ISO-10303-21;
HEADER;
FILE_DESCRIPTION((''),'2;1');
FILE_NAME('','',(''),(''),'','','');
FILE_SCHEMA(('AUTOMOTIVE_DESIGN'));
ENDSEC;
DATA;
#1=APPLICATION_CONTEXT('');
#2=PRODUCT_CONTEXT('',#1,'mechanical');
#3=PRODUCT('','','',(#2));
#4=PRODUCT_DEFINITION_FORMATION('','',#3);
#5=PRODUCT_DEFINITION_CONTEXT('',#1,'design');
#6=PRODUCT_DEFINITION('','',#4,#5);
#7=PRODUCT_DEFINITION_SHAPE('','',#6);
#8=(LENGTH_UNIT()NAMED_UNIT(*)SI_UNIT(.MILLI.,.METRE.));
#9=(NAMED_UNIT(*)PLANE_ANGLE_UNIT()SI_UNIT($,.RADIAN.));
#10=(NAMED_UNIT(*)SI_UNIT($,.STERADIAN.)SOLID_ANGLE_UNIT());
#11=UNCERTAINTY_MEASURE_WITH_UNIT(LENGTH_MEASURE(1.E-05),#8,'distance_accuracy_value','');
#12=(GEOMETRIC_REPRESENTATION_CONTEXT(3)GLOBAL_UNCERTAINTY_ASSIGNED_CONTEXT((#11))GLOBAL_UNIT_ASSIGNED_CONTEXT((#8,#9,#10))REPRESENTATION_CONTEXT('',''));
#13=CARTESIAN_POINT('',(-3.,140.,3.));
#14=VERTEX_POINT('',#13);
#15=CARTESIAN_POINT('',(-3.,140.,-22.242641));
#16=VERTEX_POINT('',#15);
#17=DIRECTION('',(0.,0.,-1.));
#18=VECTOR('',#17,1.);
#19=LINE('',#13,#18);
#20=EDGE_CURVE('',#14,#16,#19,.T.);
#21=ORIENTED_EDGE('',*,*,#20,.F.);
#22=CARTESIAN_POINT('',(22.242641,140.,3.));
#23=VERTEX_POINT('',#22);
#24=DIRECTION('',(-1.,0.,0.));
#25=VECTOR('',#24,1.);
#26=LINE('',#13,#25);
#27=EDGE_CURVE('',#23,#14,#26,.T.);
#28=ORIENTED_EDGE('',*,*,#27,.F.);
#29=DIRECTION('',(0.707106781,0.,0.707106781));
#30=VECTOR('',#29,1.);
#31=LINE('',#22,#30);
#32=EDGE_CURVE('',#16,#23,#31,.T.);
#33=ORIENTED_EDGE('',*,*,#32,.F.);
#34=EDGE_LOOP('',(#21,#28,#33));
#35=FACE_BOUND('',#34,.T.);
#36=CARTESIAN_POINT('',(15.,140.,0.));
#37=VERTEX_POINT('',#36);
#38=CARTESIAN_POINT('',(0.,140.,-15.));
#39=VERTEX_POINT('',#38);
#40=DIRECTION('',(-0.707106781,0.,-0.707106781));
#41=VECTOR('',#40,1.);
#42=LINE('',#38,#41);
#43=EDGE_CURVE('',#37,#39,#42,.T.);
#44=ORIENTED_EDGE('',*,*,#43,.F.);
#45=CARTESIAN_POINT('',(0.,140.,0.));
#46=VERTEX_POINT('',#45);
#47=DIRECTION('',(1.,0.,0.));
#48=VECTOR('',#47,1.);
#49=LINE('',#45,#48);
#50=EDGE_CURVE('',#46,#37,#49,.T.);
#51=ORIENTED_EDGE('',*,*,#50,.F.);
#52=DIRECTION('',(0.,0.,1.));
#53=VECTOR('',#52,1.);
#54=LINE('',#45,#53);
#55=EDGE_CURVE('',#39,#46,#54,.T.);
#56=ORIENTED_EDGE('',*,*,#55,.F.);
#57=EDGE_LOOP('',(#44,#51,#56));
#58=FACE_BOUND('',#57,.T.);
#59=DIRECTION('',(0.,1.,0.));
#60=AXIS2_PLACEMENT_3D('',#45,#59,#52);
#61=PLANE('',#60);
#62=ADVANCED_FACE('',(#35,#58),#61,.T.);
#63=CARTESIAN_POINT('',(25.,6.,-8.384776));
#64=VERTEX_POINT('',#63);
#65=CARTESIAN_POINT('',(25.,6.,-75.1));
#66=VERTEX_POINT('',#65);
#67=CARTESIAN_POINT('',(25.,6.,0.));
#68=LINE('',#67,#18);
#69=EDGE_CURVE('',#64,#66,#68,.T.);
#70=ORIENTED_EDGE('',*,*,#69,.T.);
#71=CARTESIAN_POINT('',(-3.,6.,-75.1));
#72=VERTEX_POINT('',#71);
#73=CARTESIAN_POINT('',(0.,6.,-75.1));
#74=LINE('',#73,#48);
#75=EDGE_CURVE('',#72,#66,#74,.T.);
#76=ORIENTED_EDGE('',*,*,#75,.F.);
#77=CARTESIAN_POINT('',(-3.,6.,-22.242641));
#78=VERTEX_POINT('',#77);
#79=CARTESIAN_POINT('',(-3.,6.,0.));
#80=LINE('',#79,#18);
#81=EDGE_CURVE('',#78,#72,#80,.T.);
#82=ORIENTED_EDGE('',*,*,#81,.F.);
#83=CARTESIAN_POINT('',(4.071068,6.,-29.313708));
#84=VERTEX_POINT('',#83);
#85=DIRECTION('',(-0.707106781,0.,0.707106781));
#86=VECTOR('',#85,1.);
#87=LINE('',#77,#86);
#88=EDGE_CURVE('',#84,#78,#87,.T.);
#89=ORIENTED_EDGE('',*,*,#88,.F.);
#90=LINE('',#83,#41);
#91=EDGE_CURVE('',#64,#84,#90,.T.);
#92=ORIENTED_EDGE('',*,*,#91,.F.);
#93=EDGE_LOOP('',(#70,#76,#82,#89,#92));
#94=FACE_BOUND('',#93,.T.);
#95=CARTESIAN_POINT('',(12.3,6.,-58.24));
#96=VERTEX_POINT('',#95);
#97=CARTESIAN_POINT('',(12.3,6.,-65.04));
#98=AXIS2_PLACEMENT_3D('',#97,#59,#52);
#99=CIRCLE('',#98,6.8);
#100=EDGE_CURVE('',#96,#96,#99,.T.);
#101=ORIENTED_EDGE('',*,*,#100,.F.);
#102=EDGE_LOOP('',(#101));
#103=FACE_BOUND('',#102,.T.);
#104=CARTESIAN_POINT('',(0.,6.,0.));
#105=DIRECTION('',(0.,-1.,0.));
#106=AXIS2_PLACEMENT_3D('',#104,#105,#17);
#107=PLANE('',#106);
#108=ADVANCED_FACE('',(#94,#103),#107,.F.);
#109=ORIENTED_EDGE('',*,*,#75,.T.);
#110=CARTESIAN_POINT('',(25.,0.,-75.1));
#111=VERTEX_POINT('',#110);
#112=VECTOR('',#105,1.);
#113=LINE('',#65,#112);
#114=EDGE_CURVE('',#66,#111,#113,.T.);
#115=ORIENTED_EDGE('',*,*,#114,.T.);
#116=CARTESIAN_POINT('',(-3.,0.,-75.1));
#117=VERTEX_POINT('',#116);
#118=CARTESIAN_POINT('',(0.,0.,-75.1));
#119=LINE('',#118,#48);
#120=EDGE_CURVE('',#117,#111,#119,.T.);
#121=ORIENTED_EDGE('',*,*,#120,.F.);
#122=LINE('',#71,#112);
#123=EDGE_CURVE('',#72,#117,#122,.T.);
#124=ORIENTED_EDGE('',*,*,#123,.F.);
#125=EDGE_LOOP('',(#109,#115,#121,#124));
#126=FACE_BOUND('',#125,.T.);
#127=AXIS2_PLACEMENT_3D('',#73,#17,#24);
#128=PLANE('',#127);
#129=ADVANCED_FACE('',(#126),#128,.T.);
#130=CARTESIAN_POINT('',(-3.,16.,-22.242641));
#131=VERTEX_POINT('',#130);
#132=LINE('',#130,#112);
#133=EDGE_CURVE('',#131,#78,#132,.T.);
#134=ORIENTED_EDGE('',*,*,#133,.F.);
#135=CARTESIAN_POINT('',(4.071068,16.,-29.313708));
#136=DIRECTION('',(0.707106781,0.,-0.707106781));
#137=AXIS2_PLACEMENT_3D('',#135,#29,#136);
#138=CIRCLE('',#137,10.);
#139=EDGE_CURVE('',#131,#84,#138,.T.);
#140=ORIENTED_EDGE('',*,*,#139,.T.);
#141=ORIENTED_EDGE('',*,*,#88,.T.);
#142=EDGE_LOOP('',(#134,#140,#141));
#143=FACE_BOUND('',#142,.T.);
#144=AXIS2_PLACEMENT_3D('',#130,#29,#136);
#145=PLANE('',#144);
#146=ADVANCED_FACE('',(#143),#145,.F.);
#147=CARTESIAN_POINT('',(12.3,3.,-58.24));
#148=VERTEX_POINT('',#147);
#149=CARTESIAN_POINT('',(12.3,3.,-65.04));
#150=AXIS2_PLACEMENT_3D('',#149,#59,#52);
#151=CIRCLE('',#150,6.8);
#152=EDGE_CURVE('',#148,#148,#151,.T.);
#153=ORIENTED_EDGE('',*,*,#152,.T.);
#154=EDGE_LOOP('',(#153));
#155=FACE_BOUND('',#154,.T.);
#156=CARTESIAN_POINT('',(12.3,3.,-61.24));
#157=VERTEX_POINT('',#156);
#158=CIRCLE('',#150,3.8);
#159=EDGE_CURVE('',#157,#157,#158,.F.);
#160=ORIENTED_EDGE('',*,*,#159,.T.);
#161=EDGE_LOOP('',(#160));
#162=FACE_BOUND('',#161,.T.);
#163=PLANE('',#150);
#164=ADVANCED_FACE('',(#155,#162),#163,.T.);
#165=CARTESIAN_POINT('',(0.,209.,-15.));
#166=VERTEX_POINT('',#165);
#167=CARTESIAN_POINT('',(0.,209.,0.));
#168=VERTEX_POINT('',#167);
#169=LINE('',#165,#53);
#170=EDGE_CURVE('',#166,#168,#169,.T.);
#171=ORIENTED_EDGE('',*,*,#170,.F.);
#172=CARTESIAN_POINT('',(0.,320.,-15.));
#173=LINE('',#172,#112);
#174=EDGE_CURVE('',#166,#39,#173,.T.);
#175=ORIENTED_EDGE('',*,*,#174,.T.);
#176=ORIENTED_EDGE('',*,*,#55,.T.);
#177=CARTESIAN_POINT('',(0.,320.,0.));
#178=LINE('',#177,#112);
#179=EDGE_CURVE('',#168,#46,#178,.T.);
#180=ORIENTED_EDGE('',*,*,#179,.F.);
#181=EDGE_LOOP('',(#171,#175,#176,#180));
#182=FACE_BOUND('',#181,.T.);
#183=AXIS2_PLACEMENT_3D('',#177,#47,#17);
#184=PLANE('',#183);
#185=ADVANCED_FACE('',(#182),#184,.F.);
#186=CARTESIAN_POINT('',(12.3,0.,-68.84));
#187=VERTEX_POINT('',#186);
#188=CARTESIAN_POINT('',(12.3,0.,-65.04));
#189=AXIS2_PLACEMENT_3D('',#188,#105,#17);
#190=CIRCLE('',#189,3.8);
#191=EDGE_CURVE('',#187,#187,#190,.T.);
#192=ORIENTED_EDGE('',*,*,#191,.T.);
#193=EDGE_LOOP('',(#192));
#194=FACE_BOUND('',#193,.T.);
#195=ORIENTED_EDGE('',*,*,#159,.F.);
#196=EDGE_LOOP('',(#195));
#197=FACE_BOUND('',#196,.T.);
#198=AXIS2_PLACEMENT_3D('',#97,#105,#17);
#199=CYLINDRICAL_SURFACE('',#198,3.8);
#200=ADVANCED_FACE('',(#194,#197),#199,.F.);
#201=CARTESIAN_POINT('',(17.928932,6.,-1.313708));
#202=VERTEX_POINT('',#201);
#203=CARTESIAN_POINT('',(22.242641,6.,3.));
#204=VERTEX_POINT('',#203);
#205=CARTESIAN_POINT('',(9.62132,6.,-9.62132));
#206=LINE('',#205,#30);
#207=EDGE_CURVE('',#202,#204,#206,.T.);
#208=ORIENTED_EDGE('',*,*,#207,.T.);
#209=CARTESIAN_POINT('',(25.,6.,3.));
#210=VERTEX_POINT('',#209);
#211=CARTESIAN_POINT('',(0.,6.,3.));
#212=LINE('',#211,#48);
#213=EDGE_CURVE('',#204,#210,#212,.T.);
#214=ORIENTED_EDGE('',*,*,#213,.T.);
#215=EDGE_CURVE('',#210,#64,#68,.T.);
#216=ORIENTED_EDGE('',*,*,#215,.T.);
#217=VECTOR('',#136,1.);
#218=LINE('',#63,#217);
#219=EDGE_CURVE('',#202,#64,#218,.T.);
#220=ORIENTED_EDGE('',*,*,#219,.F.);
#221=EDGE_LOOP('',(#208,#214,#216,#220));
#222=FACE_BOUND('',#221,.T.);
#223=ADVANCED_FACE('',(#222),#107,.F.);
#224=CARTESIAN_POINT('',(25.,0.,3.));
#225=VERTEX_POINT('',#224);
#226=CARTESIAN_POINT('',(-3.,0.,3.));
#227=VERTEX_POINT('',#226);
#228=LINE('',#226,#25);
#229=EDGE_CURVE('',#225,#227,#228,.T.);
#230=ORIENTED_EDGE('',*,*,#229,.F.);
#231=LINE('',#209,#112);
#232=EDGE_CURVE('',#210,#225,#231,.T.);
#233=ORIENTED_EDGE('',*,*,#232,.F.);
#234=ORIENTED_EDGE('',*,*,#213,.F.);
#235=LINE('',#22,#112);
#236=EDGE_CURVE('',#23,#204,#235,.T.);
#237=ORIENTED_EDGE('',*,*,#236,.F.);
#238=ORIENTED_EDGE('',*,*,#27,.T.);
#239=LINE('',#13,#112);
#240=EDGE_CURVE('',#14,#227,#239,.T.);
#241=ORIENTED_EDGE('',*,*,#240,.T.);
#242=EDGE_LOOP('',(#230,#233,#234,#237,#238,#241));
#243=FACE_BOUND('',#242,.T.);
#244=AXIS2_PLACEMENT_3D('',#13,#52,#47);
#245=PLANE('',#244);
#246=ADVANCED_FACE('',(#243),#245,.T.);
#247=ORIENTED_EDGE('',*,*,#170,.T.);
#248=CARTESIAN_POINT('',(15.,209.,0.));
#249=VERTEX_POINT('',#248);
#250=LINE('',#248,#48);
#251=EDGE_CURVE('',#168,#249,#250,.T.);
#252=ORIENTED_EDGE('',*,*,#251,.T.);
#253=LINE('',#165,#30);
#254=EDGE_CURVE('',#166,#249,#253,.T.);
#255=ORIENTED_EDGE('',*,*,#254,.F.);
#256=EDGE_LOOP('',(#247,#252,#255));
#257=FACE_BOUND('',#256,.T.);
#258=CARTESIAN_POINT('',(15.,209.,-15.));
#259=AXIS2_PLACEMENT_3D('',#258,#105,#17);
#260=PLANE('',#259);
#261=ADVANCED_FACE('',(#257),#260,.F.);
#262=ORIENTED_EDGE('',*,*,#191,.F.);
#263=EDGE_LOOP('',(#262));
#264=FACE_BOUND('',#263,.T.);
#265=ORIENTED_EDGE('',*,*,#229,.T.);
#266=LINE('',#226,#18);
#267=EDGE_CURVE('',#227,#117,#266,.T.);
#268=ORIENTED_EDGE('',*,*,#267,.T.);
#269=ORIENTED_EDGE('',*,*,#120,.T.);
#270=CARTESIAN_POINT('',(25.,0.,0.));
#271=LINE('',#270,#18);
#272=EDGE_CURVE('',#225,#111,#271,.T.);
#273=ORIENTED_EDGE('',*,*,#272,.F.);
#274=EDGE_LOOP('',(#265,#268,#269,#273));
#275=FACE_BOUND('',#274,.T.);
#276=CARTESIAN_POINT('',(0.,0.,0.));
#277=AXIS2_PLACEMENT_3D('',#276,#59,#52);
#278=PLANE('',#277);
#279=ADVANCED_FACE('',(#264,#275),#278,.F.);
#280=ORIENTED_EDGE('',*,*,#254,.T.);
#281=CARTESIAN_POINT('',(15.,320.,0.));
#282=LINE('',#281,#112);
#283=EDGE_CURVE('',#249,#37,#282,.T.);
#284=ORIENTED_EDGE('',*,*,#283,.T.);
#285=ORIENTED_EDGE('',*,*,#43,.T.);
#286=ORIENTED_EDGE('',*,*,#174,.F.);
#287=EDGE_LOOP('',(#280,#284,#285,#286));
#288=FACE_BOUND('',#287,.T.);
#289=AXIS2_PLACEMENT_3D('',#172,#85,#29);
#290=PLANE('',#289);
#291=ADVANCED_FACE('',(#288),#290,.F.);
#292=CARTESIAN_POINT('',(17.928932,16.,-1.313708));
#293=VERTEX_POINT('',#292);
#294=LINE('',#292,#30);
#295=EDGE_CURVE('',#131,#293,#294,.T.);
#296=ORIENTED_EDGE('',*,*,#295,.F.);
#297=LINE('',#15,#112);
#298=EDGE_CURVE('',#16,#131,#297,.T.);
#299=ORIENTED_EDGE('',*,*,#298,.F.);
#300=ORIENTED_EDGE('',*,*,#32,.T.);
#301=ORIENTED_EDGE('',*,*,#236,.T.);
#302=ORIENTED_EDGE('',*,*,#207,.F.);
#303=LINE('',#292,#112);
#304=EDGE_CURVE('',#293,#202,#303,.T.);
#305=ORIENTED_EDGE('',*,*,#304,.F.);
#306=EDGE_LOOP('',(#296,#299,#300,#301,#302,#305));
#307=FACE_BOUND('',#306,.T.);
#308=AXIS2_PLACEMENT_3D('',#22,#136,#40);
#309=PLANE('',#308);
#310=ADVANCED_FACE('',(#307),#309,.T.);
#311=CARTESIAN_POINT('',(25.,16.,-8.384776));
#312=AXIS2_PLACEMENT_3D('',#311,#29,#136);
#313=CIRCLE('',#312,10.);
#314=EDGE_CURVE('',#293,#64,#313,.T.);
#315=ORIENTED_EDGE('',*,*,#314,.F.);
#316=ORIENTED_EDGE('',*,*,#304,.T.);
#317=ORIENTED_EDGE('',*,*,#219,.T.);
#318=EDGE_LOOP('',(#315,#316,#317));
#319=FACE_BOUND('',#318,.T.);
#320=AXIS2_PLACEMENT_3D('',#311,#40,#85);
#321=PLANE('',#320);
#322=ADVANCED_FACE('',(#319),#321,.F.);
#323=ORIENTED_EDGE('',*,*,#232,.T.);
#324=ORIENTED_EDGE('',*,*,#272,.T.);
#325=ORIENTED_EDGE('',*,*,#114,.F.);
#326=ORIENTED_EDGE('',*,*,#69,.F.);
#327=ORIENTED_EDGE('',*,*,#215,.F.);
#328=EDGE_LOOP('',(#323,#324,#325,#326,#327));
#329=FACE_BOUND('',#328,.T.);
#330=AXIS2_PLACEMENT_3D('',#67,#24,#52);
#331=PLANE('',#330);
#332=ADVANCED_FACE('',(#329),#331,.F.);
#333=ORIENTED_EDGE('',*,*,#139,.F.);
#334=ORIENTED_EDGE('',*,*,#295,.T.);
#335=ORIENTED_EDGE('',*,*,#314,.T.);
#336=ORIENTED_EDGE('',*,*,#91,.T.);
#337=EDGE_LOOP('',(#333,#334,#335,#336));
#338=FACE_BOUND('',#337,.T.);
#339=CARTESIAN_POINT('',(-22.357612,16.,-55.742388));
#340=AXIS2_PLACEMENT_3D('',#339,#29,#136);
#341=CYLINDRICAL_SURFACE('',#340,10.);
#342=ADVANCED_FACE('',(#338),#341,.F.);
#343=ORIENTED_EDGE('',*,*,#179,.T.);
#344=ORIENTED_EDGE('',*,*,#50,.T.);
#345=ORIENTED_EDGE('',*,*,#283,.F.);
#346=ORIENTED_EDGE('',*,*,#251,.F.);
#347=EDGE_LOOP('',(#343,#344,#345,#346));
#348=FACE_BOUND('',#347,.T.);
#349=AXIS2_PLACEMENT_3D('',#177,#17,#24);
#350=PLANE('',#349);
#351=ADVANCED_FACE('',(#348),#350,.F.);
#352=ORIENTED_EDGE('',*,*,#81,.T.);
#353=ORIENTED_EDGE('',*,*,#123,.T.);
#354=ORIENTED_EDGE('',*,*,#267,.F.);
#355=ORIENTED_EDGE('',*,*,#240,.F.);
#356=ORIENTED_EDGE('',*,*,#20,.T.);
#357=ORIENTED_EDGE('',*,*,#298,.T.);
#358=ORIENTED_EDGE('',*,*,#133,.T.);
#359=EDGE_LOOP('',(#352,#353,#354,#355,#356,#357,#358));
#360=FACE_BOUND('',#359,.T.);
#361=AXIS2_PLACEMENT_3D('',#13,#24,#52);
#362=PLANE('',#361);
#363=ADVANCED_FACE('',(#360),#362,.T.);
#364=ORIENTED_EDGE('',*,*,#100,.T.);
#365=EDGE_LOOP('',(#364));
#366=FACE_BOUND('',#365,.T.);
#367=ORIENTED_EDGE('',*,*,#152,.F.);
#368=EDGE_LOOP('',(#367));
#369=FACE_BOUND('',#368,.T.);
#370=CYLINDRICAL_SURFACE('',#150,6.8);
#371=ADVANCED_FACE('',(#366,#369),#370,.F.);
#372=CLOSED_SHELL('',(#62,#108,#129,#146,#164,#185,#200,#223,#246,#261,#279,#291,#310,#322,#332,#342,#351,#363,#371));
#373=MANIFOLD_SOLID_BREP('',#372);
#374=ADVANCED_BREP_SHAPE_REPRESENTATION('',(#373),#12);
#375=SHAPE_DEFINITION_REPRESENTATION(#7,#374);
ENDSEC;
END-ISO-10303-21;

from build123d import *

# Parameters (mm, degrees)
BOSS_EXTRUDE3_DEPTH = 320
SKETCH7_W           = 15
SKETCH7_H           = 111
CUT_EXTRUDE3_DEPTH  = 321.702354216
BOSS_EXTRUDE7_DEPTH = 140
SKETCH4_W           = 28
SKETCH4_H           = 78.1
SKETCH4_R           = 3.8
BOSS_EXTRUDE4_DEPTH = 6
BOSS_EXTRUDE8_DEPTH = 10
CUT_EXTRUDE4_DEPTH  = 226.646771605
SKETCH13_R          = 6.8
CUT_EXTRUDE5_DEPTH  = 3


with BuildPart() as part:
    # Sketch1 → Boss-Extrude3 (new body)
    with BuildSketch(Plane(origin=(0, 0, 0), x_dir=(1, 0, 0), z_dir=(0, 1, 0))):
        Polygon((0, 0), (0, 15), (15, 0), align=None)
    extrude(amount=BOSS_EXTRUDE3_DEPTH)

    # Sketch7 → Cut-Extrude3 (cut, through all)
    with BuildSketch(Plane.XY):
        with Locations((7.5, 264.5)):
            Rectangle(SKETCH7_W, SKETCH7_H)
    extrude(amount=-CUT_EXTRUDE3_DEPTH, mode=Mode.SUBTRACT)

    # Sketch10 → Boss-Extrude7 (add)
    with BuildSketch(Plane.XZ):
        Polygon((-3, 3), (-3, -22.242640687), (22.242640687, 3), align=None)
    extrude(amount=-BOSS_EXTRUDE7_DEPTH)

    # Sketch4 → Boss-Extrude4 (add)
    with BuildSketch(Plane.XZ):
        with Locations((11, -36.05)):
            Rectangle(SKETCH4_W, SKETCH4_H)
        with Locations(Location((12.3, -65.04, 0), (0, 0, 270))):
            Circle(SKETCH4_R, mode=Mode.SUBTRACT)
    extrude(amount=-BOSS_EXTRUDE4_DEPTH)

    # Sketch11 → Boss-Extrude8 (add)
    with BuildSketch(Plane(origin=(0, 6, 0), x_dir=(1, 0, 0), z_dir=(0, 1, 0))):
        Polygon((-3, 22.242640687), (4.071067812, 29.313708499), (19.315705646, 14.069070665), (25, 8.384776311), (17.928932188, 1.313708499), align=None)
    extrude(amount=BOSS_EXTRUDE8_DEPTH)

    # Sketch12 → Cut-Extrude4 (cut, through all)
    with BuildSketch(Plane(origin=(8.307611845, 0, 8.307611845), x_dir=(0.7071067811865472, 0, -0.7071067811865479), z_dir=(0.7071067811865479, 0, 0.7071067811865472))):
        with BuildLine():
            Line((13.606601718, 16), (23.606601718, 16))
            Line((23.606601718, 16), (23.606601718, 6))
            ThreePointArc((23.606601718, 6), (16.535533906, 8.928932188), (13.606601718, 16))
        make_face()
    extrude(amount=-CUT_EXTRUDE4_DEPTH, mode=Mode.SUBTRACT)

    # Sketch13 → Cut-Extrude5 (cut)
    with BuildSketch(Plane(origin=(0, 6, 0), x_dir=(1, 0, 0), z_dir=(0, 1, 0))):
        with Locations(Location((12.3, 65.04, 0), (0, 0, 270))):
            Circle(SKETCH13_R)
    extrude(amount=-CUT_EXTRUDE5_DEPTH, mode=Mode.SUBTRACT)


solid = part.part
